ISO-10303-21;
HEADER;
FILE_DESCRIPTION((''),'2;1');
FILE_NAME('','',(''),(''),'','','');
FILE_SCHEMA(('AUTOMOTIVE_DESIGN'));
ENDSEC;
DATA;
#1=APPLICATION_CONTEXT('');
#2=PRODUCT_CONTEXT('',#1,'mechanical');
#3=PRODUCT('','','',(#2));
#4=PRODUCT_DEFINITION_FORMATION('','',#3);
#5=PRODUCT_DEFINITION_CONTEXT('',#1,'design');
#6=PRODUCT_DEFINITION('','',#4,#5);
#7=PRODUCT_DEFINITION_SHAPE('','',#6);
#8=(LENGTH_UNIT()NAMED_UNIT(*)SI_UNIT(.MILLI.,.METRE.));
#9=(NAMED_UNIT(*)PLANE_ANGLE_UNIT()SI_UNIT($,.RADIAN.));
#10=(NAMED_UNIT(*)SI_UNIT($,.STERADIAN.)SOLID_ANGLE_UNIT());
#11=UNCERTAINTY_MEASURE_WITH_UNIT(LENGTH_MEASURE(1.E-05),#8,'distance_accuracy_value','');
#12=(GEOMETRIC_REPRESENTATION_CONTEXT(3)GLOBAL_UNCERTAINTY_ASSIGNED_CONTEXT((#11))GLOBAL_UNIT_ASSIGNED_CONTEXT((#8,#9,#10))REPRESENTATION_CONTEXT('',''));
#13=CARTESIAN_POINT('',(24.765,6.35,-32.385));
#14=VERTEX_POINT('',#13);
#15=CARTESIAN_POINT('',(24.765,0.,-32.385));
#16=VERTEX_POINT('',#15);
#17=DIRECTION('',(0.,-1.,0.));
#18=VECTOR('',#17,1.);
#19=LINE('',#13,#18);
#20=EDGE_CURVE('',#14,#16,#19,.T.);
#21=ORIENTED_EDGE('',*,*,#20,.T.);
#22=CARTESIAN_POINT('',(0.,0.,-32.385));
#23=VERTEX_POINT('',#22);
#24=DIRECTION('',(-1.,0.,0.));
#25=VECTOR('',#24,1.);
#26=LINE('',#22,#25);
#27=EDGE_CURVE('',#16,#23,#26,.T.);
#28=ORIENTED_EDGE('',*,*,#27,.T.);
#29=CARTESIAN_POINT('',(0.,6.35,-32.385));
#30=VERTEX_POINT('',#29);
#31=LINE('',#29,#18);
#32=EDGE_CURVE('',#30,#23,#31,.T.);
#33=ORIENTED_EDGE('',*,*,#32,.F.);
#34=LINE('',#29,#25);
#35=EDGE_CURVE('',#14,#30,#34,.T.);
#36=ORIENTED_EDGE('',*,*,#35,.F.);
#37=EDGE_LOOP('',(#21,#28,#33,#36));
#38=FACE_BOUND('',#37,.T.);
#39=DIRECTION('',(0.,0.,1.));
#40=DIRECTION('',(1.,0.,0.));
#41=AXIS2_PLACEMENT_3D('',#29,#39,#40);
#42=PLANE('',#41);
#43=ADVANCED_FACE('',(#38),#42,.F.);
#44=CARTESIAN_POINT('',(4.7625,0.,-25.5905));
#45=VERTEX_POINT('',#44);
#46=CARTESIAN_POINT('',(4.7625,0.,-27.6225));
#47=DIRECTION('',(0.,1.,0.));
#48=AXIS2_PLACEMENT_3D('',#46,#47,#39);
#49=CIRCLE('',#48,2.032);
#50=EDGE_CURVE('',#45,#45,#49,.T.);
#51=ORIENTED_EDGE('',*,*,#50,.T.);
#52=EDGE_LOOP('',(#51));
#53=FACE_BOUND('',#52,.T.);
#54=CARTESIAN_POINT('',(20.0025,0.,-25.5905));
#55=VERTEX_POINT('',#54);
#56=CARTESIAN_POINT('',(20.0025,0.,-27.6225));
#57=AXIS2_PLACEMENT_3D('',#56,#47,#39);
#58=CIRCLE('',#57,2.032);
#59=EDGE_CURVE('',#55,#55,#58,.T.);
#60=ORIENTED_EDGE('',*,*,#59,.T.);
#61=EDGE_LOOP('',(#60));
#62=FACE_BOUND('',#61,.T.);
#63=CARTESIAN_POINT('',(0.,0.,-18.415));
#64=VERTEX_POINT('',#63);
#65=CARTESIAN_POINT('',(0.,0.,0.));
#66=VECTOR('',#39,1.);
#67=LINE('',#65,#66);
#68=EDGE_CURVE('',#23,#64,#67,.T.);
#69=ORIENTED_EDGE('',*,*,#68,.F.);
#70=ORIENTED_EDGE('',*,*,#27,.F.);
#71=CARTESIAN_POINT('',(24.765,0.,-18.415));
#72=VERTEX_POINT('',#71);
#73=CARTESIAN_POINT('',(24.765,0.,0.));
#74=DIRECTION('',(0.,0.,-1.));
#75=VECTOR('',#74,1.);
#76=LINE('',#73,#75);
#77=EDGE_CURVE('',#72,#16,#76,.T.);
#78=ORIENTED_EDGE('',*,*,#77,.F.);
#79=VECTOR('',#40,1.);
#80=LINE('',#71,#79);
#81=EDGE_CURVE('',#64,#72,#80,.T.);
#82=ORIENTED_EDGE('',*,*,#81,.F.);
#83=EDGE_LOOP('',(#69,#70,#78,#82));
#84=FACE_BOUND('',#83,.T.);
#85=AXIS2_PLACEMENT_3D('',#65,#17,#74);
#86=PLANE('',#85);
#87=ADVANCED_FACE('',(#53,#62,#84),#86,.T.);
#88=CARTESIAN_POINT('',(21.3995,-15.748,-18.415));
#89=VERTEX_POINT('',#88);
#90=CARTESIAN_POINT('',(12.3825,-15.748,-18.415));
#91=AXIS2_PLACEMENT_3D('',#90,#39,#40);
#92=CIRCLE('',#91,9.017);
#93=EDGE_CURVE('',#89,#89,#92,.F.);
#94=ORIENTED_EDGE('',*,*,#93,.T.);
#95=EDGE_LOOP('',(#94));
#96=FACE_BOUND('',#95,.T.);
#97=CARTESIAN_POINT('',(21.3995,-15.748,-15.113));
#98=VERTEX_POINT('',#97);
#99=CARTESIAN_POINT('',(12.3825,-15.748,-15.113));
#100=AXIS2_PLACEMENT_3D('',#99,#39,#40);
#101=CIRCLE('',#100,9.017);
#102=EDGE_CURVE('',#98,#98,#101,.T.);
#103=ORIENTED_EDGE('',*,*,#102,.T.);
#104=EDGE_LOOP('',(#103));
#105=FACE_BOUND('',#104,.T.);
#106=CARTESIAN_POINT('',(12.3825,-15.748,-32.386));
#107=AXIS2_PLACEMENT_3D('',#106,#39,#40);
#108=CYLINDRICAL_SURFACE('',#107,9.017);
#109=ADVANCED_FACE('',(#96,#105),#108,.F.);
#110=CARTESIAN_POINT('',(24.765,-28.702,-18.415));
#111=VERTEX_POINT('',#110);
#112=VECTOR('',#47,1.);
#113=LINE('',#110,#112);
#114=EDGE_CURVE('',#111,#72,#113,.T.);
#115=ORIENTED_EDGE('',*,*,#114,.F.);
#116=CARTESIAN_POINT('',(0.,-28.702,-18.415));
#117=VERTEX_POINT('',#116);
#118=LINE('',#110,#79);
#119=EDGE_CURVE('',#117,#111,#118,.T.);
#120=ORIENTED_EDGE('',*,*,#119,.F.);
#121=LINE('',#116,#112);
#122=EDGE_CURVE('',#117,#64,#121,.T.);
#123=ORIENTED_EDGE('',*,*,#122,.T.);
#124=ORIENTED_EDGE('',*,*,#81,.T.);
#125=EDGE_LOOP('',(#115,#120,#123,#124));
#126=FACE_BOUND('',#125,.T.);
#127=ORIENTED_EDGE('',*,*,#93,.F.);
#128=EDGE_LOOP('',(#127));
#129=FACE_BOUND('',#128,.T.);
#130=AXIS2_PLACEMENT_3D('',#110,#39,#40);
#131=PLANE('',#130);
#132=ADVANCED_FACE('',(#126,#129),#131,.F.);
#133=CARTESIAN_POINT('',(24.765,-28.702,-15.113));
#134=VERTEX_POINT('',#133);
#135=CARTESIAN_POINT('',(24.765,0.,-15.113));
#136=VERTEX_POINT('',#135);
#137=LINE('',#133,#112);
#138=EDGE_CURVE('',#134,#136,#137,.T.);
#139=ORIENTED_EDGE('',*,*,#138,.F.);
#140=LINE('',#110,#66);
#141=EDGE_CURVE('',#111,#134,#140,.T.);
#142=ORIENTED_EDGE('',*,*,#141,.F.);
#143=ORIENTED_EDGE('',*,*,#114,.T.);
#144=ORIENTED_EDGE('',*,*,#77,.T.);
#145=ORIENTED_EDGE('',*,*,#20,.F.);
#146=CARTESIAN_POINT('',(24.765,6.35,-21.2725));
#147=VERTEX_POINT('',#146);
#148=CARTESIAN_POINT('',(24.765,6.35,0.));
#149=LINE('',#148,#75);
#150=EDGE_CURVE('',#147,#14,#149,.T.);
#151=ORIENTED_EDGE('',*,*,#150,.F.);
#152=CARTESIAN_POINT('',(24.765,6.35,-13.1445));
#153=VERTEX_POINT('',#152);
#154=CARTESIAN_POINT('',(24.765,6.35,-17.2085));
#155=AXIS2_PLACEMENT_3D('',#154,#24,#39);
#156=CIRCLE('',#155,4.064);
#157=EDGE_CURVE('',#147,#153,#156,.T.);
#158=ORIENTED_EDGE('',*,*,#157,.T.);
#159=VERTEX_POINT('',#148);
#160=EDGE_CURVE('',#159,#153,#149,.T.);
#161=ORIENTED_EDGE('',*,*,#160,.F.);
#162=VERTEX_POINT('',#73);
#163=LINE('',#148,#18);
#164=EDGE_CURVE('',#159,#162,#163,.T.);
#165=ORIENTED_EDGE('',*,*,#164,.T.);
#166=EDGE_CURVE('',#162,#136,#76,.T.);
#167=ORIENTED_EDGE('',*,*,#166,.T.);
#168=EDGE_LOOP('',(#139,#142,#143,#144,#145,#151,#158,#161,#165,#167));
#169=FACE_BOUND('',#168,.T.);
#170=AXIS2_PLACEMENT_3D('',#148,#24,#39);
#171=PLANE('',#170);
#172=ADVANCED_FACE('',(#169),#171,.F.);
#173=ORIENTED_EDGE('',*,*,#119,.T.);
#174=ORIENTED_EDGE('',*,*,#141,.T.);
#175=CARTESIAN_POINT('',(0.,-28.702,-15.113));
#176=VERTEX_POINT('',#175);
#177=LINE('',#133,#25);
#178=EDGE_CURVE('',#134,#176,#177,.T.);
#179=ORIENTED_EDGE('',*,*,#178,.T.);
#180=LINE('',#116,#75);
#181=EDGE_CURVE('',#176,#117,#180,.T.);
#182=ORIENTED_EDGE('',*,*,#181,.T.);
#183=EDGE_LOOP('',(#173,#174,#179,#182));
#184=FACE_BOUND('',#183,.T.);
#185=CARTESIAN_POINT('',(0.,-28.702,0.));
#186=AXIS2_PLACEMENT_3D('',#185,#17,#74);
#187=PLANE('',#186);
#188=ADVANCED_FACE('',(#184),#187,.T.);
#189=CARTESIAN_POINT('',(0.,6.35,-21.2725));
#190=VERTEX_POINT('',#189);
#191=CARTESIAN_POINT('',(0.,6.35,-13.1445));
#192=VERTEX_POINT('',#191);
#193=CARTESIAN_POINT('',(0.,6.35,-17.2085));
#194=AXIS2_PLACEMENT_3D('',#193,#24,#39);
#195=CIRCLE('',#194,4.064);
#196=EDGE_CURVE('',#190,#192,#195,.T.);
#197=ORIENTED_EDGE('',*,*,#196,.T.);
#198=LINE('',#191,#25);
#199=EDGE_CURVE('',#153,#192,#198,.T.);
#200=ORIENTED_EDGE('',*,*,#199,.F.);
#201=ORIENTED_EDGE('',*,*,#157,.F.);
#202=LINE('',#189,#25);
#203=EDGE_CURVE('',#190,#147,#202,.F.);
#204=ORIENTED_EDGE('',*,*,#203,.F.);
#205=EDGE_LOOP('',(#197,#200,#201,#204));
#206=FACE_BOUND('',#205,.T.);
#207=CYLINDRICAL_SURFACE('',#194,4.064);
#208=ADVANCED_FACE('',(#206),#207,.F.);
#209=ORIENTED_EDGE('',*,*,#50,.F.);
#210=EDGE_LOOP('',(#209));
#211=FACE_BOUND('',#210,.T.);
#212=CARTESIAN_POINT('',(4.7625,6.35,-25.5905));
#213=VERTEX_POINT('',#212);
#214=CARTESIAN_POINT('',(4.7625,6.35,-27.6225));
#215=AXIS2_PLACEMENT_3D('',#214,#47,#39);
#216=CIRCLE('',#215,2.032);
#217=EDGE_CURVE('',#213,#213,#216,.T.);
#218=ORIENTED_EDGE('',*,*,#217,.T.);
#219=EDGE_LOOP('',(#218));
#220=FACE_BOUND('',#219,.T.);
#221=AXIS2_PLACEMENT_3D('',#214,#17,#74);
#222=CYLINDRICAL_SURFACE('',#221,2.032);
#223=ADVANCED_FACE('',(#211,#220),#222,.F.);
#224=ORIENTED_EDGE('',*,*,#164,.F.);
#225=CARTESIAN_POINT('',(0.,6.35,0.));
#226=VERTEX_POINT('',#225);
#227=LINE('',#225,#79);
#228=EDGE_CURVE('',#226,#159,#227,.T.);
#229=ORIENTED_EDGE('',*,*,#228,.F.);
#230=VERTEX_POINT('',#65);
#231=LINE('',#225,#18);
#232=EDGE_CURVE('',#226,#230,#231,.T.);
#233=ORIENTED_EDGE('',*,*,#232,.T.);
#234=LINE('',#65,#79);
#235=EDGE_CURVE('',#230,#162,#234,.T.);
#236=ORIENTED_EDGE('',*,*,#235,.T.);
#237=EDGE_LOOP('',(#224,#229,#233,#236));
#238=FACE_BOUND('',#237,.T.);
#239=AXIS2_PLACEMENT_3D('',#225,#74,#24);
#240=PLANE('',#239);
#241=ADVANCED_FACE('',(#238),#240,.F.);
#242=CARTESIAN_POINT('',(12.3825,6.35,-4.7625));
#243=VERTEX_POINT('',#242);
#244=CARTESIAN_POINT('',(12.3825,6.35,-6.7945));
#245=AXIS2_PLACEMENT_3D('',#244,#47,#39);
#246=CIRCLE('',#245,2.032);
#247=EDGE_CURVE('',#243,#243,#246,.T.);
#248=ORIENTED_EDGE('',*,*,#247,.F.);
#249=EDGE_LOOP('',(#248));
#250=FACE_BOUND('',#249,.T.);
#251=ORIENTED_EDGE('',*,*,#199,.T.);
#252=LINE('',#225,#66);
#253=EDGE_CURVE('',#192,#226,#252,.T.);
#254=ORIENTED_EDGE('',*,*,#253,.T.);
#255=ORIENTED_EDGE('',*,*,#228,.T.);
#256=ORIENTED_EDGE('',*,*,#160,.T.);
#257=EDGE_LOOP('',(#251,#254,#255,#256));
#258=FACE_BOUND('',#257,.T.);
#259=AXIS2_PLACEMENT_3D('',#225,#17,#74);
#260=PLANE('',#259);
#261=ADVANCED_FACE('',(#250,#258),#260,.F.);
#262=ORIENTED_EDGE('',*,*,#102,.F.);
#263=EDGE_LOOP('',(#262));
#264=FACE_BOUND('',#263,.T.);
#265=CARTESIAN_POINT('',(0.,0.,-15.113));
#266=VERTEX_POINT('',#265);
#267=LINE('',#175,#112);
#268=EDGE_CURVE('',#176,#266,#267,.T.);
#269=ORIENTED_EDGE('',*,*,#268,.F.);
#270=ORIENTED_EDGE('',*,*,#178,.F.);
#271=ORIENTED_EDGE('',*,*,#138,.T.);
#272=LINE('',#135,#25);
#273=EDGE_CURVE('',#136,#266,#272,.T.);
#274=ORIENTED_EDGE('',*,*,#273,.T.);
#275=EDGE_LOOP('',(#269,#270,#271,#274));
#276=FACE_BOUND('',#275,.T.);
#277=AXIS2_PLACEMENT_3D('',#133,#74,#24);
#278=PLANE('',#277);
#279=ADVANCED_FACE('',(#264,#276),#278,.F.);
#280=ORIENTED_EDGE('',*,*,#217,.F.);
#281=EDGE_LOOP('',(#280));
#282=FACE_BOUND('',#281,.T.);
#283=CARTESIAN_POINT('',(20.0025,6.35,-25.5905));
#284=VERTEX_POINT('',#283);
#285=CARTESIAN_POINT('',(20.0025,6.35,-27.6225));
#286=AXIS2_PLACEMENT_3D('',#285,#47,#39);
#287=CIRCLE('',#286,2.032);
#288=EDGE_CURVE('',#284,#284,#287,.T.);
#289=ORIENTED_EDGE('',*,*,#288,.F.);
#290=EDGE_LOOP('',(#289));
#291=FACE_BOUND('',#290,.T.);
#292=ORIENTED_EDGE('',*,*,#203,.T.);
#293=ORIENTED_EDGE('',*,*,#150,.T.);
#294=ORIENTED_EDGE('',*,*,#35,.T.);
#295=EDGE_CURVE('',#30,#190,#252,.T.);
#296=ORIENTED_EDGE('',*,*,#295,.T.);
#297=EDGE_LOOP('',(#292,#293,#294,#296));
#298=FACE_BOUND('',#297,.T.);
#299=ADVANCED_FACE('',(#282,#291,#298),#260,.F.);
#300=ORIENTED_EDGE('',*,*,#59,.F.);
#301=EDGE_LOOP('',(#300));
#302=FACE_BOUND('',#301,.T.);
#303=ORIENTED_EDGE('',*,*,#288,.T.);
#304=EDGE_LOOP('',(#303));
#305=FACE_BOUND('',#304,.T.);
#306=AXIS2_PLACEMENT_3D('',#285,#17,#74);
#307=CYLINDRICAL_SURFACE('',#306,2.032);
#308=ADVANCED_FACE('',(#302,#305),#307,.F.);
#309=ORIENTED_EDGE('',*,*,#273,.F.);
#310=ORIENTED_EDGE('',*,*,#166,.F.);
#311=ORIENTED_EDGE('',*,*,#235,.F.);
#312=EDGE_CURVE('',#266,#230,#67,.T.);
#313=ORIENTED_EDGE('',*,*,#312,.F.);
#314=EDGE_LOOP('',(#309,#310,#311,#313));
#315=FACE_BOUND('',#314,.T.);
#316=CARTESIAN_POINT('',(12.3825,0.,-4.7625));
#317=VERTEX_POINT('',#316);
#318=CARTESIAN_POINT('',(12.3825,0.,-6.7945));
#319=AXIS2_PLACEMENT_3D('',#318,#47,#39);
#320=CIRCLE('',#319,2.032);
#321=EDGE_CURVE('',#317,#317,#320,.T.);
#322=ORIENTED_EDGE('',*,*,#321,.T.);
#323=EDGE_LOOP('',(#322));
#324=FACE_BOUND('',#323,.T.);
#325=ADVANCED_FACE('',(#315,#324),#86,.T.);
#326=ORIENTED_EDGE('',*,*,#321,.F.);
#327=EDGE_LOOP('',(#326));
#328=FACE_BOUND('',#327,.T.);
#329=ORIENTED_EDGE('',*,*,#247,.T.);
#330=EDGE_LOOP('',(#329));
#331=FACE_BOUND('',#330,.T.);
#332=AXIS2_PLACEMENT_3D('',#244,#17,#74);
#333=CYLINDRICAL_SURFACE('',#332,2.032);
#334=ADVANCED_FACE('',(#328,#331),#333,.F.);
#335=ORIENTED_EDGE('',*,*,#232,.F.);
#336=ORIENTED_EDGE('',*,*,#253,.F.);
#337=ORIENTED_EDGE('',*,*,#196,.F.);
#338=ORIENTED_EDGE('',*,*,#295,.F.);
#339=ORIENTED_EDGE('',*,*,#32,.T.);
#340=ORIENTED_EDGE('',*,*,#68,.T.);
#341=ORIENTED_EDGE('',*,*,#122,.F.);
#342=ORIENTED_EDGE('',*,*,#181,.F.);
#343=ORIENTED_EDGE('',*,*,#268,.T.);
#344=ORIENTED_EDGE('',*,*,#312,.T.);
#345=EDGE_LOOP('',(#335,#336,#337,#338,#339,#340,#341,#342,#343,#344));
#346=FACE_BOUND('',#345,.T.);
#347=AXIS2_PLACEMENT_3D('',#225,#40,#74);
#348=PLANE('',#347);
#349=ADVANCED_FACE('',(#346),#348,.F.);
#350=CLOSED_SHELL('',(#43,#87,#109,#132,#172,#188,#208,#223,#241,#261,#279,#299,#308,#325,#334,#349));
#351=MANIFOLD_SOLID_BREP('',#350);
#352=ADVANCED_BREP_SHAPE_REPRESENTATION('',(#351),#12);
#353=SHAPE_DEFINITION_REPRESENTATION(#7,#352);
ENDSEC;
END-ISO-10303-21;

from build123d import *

# Parameters (mm, degrees)
SKETCH11_W          = 24.765
SKETCH11_H          = 32.385
SKETCH11_R          = 2.032
BOSS_EXTRUDE1_DEPTH = 6.35
SKETCH12_W          = 24.765
SKETCH12_H          = 4.064
SKETCH14_W          = 24.765
SKETCH14_H          = 3.302
BOSS_EXTRUDE2_DEPTH = 28.702
CUT_EXTRUDE1_REACH  = 43.659
SKETCH15_R          = 9.017


with BuildPart() as part:
    # Sketch11 → Boss-Extrude1 (new body)
    with BuildSketch(Plane(origin=(0, 0, 0), x_dir=(1, 0, 0), z_dir=(0, 1, 0))):
        with Locations((12.3825, 16.1925)):
            Rectangle(SKETCH11_W, SKETCH11_H)
        with Locations(Location((4.7625, 27.6225, 0), (0, 0, 270))):
            Circle(SKETCH11_R, mode=Mode.SUBTRACT)
        with Locations(Location((20.0025, 27.6225, 0), (0, 0, 270))):
            Circle(SKETCH11_R, mode=Mode.SUBTRACT)
        with Locations(Location((12.3825, 6.7945, 0), (0, 0, 270))):
            Circle(SKETCH11_R, mode=Mode.SUBTRACT)
    extrude(amount=BOSS_EXTRUDE1_DEPTH)

    # Sketch12 → Cut-Revolve1 (revolve, cut)
    with BuildSketch(Plane(origin=(0, 6.35, 0), x_dir=(1, 0, 0), z_dir=(0, 1, 0))):
        with Locations((12.3825, 15.1765)):
            Rectangle(SKETCH12_W, SKETCH12_H)
    revolve(axis=Axis((0, 6.35, -17.2085), (1, 0, 0)), mode=Mode.SUBTRACT)

    # Sketch14 → Boss-Extrude2 (add)
    with BuildSketch(Plane.XZ):
        with Locations((12.3825, -16.764)):
            Rectangle(SKETCH14_W, SKETCH14_H)
    extrude(amount=BOSS_EXTRUDE2_DEPTH)

    # Sketch15 → Cut-Extrude1 (cut, up to next)
    with BuildSketch(Plane.XY.offset(-15.113), mode=Mode.PRIVATE) as cut_extrude1_sk1:
        with Locations((12.3825, -15.748)):
            Circle(SKETCH15_R)
    cut_extrude1_tool1 = extrude(cut_extrude1_sk1.sketch, amount=-CUT_EXTRUDE1_REACH, mode=Mode.PRIVATE) & part.part
    add(cut_extrude1_tool1.solids().sort_by_distance((12.3825, -15.748, -15.113))[0], mode=Mode.SUBTRACT)


solid = part.part
